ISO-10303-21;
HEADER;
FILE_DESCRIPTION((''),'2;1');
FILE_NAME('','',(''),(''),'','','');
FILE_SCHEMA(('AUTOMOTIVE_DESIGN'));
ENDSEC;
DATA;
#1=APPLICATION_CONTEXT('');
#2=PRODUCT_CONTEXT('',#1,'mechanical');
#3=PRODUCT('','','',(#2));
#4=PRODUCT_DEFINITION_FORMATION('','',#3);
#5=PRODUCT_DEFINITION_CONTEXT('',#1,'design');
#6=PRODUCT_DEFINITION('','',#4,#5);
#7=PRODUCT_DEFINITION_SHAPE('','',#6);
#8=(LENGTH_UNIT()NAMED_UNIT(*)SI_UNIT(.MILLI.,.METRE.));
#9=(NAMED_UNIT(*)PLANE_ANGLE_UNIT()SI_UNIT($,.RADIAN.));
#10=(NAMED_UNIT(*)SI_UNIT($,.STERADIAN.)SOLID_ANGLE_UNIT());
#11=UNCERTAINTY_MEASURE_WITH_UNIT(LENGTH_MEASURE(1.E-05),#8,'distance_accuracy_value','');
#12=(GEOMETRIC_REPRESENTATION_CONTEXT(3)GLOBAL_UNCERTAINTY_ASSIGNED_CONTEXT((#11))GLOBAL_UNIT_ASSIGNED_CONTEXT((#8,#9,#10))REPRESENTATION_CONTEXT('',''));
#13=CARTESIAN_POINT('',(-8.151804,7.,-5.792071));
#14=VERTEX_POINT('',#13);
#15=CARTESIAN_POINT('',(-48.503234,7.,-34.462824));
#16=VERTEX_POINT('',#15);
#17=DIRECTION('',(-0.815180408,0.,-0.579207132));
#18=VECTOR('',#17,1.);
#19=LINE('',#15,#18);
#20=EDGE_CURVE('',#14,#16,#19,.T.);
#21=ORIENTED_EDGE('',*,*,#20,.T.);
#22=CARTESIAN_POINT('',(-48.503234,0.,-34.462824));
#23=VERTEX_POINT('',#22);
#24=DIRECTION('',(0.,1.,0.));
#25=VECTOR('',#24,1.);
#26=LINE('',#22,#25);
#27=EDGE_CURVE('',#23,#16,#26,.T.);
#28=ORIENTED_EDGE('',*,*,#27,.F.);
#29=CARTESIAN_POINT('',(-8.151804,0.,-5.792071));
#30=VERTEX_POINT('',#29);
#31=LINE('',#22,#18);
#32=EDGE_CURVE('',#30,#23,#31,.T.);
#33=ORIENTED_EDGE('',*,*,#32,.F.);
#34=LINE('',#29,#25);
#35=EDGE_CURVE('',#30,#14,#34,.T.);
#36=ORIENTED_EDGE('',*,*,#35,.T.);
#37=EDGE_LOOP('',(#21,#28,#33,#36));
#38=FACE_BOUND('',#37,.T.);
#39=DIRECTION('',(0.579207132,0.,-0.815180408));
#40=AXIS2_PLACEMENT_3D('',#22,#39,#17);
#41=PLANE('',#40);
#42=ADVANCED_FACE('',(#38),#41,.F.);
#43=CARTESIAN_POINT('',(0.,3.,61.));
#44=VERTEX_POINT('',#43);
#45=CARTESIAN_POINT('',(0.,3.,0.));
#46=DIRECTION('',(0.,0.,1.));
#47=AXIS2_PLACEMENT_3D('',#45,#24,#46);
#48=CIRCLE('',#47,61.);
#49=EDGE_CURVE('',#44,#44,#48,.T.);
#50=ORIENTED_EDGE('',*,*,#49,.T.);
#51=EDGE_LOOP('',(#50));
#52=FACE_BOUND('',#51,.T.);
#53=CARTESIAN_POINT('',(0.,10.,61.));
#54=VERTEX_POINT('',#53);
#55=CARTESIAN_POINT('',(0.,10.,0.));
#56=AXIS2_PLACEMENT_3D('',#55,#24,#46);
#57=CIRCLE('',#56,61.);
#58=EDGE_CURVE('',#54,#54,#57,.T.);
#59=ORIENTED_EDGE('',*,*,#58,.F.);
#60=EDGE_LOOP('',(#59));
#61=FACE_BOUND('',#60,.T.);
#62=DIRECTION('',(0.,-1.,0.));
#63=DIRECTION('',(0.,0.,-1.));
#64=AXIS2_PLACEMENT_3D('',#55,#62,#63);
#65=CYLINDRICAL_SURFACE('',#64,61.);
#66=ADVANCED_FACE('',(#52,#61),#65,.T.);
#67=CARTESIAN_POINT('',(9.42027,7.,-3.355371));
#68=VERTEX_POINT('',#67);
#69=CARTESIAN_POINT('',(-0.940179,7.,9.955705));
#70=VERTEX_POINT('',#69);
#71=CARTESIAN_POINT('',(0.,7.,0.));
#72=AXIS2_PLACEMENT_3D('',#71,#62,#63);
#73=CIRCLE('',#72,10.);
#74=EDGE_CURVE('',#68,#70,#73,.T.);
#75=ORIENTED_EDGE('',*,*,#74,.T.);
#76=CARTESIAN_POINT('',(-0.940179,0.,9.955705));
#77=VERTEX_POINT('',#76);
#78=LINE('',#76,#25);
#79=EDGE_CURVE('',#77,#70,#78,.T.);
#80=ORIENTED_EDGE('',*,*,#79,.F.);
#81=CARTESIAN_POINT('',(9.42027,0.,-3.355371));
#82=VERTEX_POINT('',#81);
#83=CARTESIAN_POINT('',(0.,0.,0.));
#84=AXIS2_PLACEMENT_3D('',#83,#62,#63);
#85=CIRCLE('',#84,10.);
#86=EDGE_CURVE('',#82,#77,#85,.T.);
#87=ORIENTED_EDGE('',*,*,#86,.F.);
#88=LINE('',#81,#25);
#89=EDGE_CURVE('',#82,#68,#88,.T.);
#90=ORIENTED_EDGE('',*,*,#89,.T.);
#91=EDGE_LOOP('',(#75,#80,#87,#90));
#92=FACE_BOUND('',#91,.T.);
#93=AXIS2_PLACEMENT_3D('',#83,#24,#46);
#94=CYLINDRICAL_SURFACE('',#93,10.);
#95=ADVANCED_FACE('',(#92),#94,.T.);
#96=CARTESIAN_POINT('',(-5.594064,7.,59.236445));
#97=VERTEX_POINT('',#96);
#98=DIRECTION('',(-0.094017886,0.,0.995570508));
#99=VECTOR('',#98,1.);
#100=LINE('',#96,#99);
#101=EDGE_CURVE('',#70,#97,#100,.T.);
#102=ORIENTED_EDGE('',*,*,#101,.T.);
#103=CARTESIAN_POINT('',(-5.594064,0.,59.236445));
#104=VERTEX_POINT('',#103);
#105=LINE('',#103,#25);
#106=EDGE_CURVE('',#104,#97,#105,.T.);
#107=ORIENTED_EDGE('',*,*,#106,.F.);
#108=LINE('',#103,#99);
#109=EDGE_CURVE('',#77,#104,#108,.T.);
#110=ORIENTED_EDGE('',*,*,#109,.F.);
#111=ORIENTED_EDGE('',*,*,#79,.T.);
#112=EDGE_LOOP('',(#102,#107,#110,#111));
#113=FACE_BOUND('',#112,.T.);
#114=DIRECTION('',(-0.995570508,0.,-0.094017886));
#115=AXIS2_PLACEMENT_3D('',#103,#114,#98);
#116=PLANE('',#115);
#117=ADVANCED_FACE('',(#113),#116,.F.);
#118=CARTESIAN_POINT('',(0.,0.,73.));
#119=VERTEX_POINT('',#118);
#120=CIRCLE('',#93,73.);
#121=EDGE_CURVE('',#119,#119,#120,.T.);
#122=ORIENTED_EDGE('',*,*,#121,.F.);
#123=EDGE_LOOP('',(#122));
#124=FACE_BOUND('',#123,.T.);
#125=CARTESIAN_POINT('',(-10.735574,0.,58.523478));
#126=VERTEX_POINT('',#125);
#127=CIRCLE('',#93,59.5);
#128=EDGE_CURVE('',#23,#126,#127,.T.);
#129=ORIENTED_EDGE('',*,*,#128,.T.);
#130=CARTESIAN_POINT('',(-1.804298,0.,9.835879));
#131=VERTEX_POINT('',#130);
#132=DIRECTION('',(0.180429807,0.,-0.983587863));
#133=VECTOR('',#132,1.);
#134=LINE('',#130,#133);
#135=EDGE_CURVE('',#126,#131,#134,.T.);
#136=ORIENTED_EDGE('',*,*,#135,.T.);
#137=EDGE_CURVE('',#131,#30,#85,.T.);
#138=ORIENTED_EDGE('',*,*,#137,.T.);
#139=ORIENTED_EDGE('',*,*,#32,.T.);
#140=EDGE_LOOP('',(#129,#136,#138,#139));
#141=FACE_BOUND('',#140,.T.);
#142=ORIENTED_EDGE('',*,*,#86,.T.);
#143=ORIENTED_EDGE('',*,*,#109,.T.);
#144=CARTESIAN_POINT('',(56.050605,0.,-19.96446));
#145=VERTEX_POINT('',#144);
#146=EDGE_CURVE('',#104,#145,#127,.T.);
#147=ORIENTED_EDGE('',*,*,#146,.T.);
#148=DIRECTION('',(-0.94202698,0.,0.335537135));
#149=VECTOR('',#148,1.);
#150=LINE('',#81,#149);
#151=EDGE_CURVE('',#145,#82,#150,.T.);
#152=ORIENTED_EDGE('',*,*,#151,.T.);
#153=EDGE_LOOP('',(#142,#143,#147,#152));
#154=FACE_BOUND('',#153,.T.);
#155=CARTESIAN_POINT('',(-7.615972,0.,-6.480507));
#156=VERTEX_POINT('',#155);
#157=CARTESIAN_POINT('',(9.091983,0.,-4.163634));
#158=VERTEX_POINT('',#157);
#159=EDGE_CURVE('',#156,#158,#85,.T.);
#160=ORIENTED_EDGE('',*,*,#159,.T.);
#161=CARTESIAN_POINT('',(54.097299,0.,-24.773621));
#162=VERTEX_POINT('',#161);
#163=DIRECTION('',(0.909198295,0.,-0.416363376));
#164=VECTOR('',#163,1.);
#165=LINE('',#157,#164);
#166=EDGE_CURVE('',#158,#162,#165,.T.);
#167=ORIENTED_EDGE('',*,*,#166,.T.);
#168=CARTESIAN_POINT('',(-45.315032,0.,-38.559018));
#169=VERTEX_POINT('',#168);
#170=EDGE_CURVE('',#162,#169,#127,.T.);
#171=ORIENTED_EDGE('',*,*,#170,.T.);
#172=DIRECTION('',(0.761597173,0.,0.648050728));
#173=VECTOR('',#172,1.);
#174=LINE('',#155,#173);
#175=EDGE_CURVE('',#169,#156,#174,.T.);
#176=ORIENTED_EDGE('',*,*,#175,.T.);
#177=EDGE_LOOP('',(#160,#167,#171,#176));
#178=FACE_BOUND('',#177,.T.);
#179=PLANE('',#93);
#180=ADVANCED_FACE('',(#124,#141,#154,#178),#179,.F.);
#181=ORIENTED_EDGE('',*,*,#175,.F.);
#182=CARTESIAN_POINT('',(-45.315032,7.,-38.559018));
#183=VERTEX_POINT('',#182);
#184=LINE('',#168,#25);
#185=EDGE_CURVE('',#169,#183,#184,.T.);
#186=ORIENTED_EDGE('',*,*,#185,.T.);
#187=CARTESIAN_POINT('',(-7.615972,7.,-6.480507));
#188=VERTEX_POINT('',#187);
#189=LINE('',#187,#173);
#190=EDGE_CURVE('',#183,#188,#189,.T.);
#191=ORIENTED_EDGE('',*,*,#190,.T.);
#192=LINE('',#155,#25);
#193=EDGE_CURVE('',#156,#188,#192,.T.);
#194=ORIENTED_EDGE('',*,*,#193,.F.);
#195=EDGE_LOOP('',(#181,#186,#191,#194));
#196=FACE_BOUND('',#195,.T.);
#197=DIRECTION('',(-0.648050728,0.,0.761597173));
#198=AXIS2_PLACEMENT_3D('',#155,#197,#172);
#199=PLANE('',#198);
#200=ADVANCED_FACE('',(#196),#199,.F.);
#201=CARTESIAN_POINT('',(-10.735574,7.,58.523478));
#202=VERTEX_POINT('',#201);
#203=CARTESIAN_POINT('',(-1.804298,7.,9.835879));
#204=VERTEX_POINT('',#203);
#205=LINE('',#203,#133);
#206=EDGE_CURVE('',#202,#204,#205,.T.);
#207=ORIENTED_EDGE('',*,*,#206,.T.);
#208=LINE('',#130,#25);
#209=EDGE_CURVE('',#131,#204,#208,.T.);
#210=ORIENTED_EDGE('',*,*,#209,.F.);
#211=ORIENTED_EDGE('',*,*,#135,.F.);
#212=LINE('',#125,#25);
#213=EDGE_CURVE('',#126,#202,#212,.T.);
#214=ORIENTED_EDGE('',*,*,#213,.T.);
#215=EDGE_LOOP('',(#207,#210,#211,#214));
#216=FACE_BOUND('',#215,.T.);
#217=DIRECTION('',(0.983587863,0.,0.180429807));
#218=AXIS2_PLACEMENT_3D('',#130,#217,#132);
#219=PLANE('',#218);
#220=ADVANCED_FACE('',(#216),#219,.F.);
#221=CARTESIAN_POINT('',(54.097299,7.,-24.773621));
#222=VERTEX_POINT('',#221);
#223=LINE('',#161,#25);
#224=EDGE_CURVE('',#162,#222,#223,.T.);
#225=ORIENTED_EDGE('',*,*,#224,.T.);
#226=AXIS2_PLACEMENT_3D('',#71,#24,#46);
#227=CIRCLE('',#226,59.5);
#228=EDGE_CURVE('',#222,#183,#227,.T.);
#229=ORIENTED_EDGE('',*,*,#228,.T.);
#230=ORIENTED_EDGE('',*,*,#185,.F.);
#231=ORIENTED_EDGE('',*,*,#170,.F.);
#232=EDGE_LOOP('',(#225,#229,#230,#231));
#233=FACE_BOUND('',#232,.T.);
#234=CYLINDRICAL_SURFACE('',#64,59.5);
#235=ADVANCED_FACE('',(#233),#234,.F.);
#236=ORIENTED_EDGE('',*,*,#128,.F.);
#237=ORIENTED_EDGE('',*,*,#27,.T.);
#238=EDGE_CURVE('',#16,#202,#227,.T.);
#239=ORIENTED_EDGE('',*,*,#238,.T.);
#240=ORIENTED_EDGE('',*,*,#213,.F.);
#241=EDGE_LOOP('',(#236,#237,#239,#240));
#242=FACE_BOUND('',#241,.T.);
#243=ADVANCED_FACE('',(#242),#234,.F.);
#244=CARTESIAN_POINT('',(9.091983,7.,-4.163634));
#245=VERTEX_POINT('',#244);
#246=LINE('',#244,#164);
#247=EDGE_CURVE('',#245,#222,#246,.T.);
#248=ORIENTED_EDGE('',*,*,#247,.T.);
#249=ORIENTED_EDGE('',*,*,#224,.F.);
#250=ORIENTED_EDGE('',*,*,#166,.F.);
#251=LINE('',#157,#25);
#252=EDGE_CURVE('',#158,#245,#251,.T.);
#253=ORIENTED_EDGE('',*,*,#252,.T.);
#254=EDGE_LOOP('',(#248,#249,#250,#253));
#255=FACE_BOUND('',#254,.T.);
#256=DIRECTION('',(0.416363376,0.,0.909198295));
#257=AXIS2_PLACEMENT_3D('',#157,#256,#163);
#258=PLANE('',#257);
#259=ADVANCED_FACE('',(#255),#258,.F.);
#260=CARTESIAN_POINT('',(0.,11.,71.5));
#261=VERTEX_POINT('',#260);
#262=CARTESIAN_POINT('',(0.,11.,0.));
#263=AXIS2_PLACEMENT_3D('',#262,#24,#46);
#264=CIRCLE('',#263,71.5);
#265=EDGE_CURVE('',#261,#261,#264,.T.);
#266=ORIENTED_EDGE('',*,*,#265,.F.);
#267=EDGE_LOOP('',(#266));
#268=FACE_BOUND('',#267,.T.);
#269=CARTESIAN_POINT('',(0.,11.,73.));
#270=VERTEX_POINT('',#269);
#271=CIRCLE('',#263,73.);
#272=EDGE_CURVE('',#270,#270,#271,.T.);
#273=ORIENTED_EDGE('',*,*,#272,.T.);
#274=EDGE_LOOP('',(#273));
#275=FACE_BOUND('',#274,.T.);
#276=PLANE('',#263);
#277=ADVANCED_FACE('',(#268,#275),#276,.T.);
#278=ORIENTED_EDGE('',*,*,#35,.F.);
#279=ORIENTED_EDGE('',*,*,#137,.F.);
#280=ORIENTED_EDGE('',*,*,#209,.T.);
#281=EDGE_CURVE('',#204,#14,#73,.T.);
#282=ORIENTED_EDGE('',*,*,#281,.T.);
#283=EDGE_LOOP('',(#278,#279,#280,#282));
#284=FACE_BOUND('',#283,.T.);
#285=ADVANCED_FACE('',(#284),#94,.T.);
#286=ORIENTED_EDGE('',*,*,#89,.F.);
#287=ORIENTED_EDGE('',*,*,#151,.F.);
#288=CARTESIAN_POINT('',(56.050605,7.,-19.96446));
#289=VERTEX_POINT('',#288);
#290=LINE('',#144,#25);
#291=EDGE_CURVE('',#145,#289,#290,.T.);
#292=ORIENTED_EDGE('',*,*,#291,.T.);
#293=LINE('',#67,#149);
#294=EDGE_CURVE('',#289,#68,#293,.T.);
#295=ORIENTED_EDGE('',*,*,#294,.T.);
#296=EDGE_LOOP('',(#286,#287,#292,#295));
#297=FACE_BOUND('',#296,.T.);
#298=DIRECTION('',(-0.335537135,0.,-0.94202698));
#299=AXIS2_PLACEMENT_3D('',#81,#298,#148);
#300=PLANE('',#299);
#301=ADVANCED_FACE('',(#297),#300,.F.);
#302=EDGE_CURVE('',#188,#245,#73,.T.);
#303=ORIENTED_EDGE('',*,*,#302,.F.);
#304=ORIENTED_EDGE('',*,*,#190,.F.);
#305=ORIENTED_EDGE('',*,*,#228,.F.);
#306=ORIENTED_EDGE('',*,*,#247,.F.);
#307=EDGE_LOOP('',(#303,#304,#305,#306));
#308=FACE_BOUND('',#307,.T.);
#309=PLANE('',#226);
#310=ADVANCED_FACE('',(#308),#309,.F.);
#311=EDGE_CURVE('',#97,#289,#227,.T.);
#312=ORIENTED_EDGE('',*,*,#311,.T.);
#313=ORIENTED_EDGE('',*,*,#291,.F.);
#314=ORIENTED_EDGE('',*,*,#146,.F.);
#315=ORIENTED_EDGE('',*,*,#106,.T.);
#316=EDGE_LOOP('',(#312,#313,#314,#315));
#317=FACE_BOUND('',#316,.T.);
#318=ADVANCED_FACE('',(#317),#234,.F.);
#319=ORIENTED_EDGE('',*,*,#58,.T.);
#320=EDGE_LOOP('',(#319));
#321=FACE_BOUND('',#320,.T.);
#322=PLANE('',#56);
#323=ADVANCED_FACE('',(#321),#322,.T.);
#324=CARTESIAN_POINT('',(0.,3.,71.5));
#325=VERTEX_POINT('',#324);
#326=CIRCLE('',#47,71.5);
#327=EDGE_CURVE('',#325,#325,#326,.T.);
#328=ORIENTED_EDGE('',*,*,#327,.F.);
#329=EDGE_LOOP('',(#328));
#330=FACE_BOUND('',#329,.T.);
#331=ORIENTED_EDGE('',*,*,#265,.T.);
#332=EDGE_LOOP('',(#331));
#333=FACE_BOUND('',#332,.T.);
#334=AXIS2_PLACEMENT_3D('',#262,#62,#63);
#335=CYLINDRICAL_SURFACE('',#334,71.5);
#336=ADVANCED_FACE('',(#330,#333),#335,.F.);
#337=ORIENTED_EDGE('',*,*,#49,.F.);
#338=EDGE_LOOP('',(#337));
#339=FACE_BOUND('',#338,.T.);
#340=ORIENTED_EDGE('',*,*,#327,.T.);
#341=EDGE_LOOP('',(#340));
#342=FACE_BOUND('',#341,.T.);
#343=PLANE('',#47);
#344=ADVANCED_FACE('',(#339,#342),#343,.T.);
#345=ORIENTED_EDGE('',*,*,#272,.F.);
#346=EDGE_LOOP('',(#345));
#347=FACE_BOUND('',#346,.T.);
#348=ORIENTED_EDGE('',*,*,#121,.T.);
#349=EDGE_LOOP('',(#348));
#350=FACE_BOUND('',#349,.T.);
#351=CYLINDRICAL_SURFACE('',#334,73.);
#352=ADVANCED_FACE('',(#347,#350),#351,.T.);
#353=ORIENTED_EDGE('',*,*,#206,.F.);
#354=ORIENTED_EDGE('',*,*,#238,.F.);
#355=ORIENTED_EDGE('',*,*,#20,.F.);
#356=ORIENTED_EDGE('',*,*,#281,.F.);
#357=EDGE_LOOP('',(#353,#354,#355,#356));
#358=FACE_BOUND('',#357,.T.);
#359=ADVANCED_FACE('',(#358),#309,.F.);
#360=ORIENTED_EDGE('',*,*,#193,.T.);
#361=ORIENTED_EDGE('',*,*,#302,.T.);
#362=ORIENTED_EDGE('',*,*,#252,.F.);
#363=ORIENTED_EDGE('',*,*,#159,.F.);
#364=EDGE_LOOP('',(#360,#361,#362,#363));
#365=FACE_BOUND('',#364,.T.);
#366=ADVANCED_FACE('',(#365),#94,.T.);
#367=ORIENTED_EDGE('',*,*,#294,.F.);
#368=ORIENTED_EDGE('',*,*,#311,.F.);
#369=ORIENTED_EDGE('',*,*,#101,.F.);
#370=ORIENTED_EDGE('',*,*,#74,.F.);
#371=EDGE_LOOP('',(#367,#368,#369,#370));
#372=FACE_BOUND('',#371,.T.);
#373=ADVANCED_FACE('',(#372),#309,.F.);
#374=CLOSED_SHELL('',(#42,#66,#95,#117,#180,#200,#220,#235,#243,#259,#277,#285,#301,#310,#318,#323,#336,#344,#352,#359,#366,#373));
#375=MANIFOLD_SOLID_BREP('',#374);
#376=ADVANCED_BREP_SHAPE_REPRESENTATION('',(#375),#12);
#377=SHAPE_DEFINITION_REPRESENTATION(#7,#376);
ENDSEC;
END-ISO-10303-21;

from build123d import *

# Parameters (mm, degrees)
SKETCH_1_R      = 73
SKETCH_1_R_2    = 71.5
EXTRUDE_1_DEPTH = 11
SKETCH_2_R      = 71.5
SKETCH_2_R_2    = 61
EXTRUDE_2_DEPTH = 3
SKETCH_3_R      = 61
SKETCH_3_R_2    = 59.5
EXTRUDE_3_DEPTH = 10
EXTRUDE_START   = 7
SKETCH_4_R      = 59.5
EXTRUDE_4_DEPTH = 3
EXTRUDE_5_DEPTH = 7


with BuildPart() as part:
    # 스케치1 → 보스-돌출1 (new body)
    with BuildSketch(Plane(origin=(0, 0, 0), x_dir=(1, 0, 0), z_dir=(0, 1, 0))):
        with Locations(Location((0, 0, 0), (0, 0, 270))):
            Circle(SKETCH_1_R)
        with Locations(Location((0, 0, 0), (0, 0, 270))):
            Circle(SKETCH_1_R_2, mode=Mode.SUBTRACT)
    extrude(amount=EXTRUDE_1_DEPTH)

    # 스케치2 → 보스-돌출2 (add)
    with BuildSketch(Plane(origin=(0, 0, 0), x_dir=(1, 0, 0), z_dir=(0, 1, 0))):
        with Locations(Location((0, 0, 0), (0, 0, 270))):
            Circle(SKETCH_2_R)
        with Locations(Location((0, 0, 0), (0, 0, 270))):
            Circle(SKETCH_2_R_2, mode=Mode.SUBTRACT)
    extrude(amount=EXTRUDE_2_DEPTH)

    # 스케치3 → 보스-돌출3 (add)
    with BuildSketch(Plane(origin=(0, 0, 0), x_dir=(1, 0, 0), z_dir=(0, 1, 0))):
        with Locations(Location((0, 0, 0), (0, 0, 270))):
            Circle(SKETCH_3_R)
        with Locations(Location((0, 0, 0), (0, 0, 270))):
            Circle(SKETCH_3_R_2, mode=Mode.SUBTRACT)
    extrude(amount=EXTRUDE_3_DEPTH)

    # 스케치4 → 보스-돌출4 (add)
    with BuildSketch(Plane(origin=(0, 0, 0), x_dir=(1, 0, 0), z_dir=(0, 1, 0)).offset(EXTRUDE_START)):
        with Locations(Location((0, 0, 0), (0, 0, 270))):
            Circle(SKETCH_4_R)
    extrude(amount=EXTRUDE_4_DEPTH)

    # 스케치6 → 보스-돌출5 (add)
    with BuildSketch(Plane.XZ.offset(-7).offset(EXTRUDE_START)):
        with BuildLine():
            Line((-1.804298071, 9.835878632), (-10.73557352, 58.523477863))
            ThreePointArc((-10.73557352, 58.523477863), (-8.172597382, 58.93605562), (-5.594064241, 59.236445245))
            Line((-5.594064241, 59.236445245), (-0.940178864, 9.955705083))
            ThreePointArc((-0.940178864, 9.955705083), (7.891398769, 6.142135253), (9.4202698, -3.355371351))
            Line((9.4202698, -3.355371351), (56.050605307, -19.964459539))
            ThreePointArc((56.050605307, -19.964459539), (55.126420057, -22.390350862), (54.097298532, -24.77362088))
            Line((54.097298532, -24.77362088), (9.091982947, -4.163633761))
            ThreePointArc((9.091982947, -4.163633761), (1.373545779, -9.905219432), (-7.615971729, -6.480507281))
            Line((-7.615971729, -6.480507281), (-45.315031787, -38.559018324))
            ThreePointArc((-45.315031787, -38.559018324), (-46.953822675, -36.545704758), (-48.503234292, -34.462824365))
            Line((-48.503234292, -34.462824365), (-8.151804083, -5.792071322))
            ThreePointArc((-8.151804083, -5.792071322), (-9.264944547, 3.763084178), (-1.804298071, 9.835878632))
        make_face()
    extrude(amount=-EXTRUDE_5_DEPTH)


solid = part.part
